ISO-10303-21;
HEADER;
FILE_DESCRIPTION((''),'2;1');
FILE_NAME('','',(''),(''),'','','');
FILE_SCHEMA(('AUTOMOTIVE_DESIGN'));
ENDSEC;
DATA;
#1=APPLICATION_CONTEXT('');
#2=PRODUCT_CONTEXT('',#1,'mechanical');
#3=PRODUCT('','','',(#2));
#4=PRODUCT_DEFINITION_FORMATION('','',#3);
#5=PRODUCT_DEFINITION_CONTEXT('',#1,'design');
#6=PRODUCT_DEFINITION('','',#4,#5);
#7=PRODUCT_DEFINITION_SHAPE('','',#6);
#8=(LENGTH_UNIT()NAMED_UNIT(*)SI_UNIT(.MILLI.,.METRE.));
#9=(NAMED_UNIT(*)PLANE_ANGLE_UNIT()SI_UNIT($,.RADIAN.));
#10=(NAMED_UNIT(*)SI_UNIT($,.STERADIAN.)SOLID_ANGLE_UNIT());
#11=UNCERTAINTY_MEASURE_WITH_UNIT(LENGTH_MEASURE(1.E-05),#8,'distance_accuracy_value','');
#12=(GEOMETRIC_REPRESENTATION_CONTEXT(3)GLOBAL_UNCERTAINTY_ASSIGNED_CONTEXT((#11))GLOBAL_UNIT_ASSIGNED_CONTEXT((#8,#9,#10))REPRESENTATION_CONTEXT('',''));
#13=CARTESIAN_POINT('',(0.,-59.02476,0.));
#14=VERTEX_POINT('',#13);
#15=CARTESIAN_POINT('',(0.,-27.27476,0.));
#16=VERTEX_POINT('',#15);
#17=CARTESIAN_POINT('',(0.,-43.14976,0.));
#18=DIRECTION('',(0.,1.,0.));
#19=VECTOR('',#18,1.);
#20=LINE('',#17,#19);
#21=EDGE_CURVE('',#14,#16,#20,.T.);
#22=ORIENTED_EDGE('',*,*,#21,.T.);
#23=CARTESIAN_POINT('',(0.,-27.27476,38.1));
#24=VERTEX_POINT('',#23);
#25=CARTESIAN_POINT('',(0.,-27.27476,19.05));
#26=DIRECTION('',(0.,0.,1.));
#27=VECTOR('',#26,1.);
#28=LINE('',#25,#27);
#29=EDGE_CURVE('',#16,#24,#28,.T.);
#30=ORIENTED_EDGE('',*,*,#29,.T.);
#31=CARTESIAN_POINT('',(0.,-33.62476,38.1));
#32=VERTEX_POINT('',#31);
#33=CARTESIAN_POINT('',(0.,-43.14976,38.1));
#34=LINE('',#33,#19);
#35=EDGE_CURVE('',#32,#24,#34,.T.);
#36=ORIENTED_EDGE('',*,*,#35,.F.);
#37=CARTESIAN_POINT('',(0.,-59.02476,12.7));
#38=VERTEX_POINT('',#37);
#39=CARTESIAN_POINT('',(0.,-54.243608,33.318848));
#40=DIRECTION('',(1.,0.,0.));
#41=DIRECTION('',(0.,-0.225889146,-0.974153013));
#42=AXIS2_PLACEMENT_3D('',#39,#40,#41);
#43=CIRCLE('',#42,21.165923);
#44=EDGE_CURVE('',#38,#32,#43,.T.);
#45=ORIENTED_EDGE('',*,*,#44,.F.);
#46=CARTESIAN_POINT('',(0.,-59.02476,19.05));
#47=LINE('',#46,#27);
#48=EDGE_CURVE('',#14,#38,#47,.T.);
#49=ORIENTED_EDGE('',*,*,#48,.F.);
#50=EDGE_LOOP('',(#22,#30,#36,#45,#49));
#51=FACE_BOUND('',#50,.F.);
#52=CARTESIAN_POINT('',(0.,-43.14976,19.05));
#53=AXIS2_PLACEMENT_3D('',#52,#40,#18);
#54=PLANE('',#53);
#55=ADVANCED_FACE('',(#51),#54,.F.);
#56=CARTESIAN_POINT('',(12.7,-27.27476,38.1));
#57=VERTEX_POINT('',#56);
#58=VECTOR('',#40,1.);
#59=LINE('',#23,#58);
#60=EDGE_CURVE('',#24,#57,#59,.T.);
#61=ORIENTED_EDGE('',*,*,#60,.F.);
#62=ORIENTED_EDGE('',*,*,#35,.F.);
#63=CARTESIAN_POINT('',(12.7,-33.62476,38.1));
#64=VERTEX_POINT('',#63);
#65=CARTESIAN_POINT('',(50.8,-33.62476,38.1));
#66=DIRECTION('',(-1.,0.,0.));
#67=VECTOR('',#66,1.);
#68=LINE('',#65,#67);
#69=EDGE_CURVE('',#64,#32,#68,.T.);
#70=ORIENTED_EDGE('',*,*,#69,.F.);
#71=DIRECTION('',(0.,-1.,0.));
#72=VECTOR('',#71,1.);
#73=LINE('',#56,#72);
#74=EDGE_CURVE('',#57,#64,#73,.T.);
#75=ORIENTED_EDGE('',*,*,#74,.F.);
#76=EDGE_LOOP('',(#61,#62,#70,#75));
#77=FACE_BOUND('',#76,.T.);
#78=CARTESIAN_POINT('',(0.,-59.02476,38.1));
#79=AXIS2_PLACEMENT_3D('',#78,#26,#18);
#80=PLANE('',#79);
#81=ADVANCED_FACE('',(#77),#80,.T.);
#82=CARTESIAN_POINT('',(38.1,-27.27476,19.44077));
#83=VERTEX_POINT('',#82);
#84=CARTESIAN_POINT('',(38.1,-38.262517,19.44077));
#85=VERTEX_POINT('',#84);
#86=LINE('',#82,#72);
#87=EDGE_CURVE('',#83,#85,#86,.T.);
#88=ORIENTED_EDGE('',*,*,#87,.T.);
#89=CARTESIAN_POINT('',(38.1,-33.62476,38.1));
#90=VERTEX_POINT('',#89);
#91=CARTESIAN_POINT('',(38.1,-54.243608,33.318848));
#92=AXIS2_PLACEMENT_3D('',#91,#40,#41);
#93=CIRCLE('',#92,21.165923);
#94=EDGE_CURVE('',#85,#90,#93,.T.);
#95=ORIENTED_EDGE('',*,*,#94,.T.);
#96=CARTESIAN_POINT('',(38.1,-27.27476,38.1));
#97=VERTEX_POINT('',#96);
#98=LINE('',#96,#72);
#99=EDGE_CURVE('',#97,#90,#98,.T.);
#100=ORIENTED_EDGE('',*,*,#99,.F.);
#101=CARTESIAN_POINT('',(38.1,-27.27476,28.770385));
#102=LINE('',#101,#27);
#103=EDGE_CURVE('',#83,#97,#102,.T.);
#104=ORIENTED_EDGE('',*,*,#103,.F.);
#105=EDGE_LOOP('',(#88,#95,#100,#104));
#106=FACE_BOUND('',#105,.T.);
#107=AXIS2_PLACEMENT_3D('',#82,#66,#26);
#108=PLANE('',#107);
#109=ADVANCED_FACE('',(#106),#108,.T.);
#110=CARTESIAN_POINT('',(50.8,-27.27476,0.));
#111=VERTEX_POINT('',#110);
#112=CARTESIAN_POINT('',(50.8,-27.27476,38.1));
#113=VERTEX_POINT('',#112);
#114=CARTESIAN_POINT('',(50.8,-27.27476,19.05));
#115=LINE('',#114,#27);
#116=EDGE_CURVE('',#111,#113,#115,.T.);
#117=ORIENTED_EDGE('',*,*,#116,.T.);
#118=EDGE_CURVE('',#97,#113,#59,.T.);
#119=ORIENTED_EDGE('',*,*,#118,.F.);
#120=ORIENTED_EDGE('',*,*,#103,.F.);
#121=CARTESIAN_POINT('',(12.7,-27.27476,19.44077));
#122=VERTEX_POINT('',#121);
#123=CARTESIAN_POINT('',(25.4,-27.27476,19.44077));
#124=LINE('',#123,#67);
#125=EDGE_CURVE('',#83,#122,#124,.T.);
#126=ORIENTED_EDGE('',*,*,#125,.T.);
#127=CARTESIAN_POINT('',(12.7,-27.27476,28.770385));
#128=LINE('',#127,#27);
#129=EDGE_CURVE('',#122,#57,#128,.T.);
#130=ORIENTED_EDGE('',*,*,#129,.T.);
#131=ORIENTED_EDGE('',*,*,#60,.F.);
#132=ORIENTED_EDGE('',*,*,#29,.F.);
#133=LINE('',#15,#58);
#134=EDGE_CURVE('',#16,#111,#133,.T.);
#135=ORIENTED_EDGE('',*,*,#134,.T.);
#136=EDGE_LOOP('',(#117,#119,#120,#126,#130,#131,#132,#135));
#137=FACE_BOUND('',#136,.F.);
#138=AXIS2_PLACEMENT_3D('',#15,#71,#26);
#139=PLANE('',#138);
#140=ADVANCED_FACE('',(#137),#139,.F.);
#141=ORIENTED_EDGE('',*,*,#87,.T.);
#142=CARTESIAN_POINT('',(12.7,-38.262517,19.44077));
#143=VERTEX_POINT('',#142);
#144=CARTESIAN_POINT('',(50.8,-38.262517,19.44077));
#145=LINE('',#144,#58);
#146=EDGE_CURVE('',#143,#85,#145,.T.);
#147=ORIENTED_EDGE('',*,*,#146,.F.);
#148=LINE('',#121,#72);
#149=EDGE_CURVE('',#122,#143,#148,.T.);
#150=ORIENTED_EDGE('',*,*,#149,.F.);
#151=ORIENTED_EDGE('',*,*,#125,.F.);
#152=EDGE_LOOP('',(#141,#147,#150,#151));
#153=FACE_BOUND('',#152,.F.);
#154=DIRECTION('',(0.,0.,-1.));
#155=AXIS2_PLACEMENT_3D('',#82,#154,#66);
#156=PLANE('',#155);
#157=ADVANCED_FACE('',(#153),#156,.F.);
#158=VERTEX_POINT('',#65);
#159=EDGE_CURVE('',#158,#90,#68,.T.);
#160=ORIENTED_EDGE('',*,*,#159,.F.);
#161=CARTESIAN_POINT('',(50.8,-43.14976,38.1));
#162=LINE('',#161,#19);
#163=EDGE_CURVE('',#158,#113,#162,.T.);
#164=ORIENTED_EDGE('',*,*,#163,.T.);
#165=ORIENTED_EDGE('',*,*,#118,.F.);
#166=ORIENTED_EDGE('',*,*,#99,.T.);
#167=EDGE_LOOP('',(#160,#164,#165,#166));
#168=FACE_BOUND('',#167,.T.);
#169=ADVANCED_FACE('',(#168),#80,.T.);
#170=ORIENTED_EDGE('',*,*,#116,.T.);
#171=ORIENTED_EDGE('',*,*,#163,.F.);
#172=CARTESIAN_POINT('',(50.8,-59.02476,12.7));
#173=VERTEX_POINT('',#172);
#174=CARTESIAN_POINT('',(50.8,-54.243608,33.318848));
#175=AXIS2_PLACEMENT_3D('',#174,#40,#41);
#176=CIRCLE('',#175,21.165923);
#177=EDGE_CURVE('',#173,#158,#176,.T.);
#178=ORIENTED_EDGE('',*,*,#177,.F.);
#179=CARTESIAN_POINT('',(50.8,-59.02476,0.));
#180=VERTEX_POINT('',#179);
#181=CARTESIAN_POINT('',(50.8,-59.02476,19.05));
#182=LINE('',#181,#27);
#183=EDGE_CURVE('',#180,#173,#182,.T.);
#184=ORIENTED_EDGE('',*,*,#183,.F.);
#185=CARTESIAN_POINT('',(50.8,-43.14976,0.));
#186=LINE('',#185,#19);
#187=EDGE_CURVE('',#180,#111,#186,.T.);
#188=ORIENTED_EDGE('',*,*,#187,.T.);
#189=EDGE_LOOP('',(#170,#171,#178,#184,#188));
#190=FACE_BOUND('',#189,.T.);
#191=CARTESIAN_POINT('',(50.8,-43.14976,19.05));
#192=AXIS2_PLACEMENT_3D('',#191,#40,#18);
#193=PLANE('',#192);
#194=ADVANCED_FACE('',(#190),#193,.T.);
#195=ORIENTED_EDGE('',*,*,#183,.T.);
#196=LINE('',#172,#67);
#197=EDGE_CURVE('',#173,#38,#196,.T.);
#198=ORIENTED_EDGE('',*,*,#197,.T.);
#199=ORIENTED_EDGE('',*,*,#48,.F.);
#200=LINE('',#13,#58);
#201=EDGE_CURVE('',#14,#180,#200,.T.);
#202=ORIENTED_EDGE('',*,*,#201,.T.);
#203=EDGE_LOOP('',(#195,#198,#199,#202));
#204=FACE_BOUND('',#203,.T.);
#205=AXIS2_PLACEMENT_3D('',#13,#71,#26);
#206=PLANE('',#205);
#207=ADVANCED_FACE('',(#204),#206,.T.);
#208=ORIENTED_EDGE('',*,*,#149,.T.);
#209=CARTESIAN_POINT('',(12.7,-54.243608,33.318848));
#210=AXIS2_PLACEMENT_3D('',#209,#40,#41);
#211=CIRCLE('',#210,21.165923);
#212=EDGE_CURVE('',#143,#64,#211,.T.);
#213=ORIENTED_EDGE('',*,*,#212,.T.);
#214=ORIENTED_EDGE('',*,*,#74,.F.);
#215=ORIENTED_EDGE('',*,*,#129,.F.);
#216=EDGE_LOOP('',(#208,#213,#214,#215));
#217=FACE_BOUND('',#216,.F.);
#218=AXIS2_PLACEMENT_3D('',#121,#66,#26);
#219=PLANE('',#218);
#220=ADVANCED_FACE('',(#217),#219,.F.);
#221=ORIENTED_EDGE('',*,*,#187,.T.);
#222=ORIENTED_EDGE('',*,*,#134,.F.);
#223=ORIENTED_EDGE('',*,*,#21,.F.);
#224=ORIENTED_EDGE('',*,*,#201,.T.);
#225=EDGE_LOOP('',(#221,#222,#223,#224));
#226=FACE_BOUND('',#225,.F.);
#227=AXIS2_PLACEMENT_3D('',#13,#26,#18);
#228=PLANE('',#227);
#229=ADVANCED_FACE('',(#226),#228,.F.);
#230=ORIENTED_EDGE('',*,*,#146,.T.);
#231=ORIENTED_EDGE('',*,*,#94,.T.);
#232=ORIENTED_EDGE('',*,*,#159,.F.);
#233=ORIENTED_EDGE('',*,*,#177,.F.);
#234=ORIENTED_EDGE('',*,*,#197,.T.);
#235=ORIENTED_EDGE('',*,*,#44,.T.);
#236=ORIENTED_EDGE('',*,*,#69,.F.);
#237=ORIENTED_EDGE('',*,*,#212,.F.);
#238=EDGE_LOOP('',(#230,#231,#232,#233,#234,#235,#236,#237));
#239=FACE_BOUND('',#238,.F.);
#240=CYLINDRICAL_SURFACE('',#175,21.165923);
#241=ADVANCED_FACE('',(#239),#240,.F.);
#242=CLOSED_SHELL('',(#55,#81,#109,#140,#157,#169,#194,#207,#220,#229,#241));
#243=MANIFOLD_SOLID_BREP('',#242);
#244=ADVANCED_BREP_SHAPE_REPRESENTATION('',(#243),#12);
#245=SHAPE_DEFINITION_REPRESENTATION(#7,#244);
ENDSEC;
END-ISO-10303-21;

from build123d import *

# Parameters (mm, degrees)
F0_W     = 31.75
F0_H     = 38.1
F1_DEPTH = 50.8
F3_DEPTH = 50.801
F4_W     = 25.4
F4_H     = 18.65923
F5_DEPTH = 25.4


with BuildPart() as f1:
    # F0 (on Right) → F1 (new body)
    with BuildSketch(Plane.YZ):
        with Locations((-43.14976, 19.05)):
            Rectangle(F0_W, F0_H)
    extrude(amount=F1_DEPTH)

    # F2 (on face) → F3 (cut, through all)
    with BuildSketch(Plane.YZ.offset(50.8)):
        with BuildLine():
            Line((-59.02476, 38.1), (-59.02476, 12.7))
            ThreePointArc((-59.02476, 12.7), (-39.27704, 18.35228), (-33.62476, 38.1))
            Line((-33.62476, 38.1), (-59.02476, 38.1))
        make_face()
    extrude(amount=-F3_DEPTH, mode=Mode.SUBTRACT)

    # F4 (on face) → F5 (cut)
    with BuildSketch(Plane(origin=(0, -27.27476, 0), x_dir=(-1, 0, 0), z_dir=(0, 1, 0))):
        with Locations((-25.4, 28.770385)):
            Rectangle(F4_W, F4_H)
    extrude(amount=-F5_DEPTH, mode=Mode.SUBTRACT)


solid = f1.part
